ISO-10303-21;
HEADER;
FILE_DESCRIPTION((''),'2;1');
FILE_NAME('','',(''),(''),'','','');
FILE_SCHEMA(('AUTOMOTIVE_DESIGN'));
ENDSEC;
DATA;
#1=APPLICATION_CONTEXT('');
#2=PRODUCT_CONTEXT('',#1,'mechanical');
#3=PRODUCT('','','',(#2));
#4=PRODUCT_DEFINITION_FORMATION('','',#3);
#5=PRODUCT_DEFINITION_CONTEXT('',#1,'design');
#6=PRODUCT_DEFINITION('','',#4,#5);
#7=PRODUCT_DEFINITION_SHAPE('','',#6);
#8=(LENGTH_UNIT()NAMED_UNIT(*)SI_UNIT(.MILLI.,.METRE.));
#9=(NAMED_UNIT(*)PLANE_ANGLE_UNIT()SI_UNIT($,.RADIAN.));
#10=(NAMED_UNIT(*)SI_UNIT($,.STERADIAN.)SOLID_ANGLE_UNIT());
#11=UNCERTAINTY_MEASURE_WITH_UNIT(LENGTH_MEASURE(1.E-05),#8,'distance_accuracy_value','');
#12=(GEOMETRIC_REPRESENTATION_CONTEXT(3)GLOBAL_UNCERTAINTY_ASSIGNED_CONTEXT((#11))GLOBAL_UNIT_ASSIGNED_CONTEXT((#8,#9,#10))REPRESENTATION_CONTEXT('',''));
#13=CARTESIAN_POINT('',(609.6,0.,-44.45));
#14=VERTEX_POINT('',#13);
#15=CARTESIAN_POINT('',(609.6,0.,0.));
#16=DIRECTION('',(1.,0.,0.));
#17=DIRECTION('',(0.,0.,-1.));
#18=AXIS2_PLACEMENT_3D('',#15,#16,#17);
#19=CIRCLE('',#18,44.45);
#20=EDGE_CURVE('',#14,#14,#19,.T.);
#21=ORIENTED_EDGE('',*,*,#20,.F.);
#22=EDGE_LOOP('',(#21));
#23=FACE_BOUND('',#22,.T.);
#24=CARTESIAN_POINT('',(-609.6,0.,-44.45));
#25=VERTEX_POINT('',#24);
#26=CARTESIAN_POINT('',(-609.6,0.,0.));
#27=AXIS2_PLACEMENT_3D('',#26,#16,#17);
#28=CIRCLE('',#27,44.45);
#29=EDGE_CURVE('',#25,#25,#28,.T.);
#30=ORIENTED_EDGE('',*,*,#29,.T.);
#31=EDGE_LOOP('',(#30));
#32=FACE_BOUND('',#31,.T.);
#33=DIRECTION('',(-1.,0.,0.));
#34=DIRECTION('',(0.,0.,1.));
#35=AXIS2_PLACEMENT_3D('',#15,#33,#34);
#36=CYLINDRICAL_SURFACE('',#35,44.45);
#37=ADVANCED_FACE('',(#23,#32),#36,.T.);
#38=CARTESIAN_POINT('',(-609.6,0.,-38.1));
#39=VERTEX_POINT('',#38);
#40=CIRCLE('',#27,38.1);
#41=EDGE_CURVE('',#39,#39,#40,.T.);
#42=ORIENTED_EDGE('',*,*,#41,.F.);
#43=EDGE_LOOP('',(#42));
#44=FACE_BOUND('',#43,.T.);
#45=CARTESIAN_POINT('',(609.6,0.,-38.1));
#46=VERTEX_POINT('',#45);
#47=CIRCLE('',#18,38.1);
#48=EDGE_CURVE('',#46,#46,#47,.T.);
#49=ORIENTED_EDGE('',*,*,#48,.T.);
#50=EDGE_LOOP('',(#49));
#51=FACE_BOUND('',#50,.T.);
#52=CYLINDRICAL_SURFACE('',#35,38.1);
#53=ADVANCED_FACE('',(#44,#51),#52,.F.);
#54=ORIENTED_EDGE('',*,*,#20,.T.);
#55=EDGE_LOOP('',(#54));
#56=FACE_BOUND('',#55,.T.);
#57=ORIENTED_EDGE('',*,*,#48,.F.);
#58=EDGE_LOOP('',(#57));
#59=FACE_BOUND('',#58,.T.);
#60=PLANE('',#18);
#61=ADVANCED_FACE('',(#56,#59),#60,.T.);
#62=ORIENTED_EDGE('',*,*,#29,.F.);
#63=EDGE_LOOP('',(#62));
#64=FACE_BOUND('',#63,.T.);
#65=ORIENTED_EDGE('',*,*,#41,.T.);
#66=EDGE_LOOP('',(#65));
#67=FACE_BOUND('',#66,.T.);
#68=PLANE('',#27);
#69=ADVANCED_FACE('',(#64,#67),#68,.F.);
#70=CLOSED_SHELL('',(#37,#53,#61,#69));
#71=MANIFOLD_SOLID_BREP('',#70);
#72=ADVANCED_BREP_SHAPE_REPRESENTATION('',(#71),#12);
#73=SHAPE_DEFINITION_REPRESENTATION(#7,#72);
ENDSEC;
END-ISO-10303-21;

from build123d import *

# Parameters (mm, degrees)
SKETCH1_R           = 44.45
SKETCH1_R_2         = 38.1
BOSS_EXTRUDE1_DEPTH = 609.6


with BuildPart() as part:
    # Sketch1 → Boss-Extrude1 (new body, symmetric)
    with BuildSketch(Plane(origin=(0, 0, 0), x_dir=(0, 0, -1), z_dir=(1, 0, 0))):
        Circle(SKETCH1_R)
        Circle(SKETCH1_R_2, mode=Mode.SUBTRACT)
    extrude(amount=BOSS_EXTRUDE1_DEPTH, both=True)


solid = part.part
